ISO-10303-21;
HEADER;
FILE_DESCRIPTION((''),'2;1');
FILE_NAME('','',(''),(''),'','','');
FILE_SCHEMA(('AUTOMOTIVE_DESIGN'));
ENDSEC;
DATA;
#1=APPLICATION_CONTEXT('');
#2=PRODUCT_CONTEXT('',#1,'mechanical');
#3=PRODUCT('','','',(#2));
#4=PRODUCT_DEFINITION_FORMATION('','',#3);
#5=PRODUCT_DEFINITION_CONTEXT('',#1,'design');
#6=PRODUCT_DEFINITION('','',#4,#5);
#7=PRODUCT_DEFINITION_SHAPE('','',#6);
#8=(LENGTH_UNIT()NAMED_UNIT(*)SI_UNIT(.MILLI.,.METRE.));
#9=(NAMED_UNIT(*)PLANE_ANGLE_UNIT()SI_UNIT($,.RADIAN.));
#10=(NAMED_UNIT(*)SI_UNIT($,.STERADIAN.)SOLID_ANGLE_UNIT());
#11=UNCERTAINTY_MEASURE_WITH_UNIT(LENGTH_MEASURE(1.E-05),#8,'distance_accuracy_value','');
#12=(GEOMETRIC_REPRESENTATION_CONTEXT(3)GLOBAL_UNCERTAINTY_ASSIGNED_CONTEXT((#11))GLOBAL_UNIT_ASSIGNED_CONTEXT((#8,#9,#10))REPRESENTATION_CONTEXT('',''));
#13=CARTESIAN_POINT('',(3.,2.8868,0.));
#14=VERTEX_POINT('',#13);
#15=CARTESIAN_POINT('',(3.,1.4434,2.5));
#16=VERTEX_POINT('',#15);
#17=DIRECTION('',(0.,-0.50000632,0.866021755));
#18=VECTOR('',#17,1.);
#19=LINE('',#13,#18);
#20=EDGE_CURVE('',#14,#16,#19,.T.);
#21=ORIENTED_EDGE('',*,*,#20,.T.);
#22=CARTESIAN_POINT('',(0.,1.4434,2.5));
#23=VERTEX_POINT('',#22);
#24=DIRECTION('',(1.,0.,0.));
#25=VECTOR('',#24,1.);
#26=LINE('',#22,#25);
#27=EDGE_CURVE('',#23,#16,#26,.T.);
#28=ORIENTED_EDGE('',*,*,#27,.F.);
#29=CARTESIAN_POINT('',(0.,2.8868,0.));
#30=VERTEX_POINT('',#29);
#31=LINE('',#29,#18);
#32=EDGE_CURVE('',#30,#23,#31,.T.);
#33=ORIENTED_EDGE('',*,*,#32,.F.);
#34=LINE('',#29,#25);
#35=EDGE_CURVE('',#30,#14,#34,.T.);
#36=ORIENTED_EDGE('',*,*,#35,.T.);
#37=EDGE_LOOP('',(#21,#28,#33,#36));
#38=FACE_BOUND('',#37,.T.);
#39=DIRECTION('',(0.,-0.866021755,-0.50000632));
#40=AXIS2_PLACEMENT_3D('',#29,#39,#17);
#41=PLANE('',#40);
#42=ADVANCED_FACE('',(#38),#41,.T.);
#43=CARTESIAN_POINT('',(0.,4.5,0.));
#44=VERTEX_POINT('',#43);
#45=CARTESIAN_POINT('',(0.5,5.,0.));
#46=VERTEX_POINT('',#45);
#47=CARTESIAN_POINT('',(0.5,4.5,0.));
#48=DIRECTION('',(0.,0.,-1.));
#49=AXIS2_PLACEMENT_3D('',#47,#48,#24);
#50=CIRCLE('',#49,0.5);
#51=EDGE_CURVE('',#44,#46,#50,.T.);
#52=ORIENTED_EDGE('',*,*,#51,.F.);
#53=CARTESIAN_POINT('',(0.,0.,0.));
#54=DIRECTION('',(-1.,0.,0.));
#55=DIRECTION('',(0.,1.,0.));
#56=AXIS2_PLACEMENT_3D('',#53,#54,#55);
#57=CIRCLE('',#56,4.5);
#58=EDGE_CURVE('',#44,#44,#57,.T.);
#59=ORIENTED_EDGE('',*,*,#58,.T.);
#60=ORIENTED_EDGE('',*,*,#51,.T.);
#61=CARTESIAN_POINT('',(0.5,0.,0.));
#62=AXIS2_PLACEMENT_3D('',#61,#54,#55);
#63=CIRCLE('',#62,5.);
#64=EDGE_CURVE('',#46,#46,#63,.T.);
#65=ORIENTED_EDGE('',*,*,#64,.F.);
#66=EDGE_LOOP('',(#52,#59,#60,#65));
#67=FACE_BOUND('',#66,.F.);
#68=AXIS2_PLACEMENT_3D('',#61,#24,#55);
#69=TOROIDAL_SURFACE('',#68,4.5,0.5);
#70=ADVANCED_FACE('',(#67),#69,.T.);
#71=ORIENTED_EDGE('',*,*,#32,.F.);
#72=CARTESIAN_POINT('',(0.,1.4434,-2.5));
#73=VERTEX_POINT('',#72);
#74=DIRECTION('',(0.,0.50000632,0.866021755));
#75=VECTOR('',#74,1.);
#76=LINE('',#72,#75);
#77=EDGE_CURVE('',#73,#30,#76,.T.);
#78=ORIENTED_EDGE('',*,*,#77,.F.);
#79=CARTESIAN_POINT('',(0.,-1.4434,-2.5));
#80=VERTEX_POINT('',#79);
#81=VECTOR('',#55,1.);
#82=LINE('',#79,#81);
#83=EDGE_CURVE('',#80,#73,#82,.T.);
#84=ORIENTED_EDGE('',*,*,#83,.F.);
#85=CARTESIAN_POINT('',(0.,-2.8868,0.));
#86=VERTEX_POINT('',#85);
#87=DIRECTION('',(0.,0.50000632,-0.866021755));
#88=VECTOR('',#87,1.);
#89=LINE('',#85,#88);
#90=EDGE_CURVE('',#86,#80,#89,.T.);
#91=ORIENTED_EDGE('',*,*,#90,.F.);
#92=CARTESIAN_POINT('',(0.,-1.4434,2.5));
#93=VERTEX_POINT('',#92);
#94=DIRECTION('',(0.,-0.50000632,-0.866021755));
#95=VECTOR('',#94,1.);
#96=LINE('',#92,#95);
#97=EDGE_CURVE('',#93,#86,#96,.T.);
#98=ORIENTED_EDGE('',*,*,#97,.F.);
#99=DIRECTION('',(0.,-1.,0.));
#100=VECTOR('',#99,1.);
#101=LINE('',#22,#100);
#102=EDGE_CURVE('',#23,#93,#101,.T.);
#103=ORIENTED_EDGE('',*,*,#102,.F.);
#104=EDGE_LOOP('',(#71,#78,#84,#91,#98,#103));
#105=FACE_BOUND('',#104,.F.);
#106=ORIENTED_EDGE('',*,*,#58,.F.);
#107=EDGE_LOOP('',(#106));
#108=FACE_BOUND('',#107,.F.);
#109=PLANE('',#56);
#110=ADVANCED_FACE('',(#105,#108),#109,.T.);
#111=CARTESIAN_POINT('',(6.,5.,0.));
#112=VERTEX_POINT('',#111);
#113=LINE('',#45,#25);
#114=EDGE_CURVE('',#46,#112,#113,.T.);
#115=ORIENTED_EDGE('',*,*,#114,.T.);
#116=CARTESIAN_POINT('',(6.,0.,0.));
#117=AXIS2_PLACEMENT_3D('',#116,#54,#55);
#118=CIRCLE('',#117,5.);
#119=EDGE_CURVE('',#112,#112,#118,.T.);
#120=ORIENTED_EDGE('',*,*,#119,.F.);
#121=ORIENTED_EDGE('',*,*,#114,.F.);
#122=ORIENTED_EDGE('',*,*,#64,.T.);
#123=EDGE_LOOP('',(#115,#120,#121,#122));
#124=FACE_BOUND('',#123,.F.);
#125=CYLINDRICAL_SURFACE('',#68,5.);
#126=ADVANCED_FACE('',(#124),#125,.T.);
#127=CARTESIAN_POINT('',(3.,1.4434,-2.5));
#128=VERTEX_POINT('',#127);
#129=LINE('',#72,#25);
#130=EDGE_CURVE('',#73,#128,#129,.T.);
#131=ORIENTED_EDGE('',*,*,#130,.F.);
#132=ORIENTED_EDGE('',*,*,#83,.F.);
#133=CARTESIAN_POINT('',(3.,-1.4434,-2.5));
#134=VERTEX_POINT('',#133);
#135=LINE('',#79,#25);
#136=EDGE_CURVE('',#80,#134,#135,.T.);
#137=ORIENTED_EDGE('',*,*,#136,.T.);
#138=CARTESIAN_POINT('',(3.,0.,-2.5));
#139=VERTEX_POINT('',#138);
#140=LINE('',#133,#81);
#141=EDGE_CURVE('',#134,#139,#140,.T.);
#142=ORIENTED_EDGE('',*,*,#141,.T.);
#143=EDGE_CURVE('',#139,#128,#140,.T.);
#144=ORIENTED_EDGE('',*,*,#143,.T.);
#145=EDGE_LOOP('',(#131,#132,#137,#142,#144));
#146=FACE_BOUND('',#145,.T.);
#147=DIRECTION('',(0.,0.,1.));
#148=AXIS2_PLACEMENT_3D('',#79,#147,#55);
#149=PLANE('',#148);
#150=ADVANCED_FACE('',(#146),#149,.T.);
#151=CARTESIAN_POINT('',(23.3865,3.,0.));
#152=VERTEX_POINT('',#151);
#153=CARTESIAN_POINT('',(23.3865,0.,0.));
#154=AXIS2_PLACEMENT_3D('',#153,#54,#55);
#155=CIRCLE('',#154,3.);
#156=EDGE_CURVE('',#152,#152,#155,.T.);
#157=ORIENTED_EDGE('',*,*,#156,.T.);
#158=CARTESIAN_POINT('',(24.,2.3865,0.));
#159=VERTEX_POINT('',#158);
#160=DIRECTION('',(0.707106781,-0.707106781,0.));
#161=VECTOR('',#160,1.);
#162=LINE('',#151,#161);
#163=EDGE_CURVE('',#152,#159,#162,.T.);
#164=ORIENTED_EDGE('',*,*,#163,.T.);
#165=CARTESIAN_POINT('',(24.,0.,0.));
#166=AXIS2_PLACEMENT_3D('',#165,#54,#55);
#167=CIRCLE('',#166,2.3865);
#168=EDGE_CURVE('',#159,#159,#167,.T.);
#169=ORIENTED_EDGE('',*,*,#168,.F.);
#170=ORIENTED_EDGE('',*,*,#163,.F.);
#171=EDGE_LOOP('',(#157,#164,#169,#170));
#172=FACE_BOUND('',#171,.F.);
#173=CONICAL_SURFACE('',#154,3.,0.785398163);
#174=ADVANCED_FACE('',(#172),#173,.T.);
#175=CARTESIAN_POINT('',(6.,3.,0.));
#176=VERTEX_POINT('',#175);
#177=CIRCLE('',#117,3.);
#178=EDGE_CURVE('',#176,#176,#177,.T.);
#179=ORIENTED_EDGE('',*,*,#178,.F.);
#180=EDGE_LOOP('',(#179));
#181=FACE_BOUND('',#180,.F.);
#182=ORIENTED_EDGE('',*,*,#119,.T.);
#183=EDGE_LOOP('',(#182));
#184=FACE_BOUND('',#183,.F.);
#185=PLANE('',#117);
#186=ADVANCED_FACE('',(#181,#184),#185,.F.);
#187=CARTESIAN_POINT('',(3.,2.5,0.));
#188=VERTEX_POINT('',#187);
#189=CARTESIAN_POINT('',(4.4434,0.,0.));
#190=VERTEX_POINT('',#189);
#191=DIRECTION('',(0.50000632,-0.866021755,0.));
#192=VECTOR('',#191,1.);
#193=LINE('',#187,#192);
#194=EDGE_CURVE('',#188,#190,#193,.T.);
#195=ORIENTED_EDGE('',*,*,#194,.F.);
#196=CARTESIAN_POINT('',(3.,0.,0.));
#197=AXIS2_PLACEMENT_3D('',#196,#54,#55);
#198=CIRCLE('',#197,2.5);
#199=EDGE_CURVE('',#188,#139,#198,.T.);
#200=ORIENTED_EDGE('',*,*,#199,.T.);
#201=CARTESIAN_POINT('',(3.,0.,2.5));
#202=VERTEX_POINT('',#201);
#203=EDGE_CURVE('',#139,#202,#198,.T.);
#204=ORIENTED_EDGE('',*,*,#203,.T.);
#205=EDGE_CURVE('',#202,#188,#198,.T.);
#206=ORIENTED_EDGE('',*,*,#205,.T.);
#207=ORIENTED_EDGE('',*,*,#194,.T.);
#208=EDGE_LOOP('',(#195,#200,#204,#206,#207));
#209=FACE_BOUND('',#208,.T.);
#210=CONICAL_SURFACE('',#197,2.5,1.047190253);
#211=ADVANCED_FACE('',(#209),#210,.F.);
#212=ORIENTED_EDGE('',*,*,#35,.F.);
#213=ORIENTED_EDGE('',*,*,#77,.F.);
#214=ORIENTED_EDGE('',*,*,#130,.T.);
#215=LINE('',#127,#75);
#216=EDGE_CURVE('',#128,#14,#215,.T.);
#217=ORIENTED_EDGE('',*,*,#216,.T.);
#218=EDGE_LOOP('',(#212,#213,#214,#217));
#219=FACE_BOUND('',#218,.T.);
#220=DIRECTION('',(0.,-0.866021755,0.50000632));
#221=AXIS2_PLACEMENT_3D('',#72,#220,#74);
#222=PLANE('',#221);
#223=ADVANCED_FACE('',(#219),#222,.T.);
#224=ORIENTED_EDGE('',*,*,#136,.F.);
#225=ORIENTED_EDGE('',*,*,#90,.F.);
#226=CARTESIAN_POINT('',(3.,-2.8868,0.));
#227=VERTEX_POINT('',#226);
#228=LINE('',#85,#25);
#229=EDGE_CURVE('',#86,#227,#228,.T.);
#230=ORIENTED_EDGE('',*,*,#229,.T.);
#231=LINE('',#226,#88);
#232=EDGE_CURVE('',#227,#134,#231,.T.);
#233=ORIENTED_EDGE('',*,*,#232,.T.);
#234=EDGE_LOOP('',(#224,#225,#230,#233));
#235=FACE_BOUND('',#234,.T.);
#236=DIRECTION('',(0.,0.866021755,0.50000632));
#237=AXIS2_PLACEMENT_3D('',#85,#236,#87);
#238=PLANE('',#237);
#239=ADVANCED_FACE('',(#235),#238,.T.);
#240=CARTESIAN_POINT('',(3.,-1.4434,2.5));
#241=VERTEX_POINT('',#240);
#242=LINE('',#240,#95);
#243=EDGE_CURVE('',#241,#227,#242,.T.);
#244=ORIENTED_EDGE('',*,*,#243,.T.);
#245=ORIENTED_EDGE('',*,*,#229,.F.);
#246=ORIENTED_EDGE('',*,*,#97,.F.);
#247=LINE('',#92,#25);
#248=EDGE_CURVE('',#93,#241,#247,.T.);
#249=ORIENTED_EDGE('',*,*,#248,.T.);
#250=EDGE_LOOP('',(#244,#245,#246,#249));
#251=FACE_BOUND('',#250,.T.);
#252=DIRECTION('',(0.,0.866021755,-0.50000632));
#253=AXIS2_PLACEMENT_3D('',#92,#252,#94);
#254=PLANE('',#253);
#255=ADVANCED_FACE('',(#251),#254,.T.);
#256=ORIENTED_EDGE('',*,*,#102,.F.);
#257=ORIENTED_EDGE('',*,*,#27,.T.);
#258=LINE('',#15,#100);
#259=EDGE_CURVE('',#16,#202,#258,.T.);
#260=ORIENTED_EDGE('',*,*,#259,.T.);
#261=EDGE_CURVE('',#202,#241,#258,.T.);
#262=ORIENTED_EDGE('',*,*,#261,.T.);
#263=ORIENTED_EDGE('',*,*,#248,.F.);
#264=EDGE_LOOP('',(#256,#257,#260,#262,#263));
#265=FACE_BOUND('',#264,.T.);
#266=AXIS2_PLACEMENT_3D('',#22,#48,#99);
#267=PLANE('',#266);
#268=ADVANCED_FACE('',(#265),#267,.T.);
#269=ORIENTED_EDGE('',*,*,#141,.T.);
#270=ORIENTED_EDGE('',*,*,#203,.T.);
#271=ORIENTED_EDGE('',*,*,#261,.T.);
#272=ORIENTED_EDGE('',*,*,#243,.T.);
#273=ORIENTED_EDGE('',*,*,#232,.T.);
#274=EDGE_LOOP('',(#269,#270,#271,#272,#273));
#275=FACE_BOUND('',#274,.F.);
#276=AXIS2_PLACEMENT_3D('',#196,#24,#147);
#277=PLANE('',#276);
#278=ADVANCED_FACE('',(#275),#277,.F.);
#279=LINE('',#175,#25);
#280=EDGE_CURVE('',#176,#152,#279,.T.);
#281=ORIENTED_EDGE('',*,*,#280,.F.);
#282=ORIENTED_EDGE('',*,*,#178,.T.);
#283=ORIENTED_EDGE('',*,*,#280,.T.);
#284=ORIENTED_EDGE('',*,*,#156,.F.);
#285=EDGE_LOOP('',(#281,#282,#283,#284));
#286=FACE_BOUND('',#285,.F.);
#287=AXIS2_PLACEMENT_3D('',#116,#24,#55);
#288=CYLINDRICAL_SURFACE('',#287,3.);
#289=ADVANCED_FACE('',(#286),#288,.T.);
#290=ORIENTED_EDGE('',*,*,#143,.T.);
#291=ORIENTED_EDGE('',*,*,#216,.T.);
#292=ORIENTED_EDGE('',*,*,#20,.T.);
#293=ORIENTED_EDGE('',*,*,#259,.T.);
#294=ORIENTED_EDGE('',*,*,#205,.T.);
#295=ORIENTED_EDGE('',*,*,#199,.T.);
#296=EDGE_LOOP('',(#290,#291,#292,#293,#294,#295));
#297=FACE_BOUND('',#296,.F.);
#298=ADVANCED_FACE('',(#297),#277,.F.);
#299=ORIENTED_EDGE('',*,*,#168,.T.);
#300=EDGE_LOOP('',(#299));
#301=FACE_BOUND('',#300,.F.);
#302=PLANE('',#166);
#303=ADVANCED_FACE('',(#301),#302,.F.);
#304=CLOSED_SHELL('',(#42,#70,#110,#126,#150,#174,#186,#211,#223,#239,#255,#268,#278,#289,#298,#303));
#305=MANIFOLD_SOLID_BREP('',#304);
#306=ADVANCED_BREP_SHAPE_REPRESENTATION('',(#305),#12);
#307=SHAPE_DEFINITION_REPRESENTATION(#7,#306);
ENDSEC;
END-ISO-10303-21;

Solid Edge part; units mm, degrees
sketch "Sketch1" plane through (0, 0, 0) normal (0, 0, 1) x (1, 0, 0)
  line L0 (0, 0) -> (0, 4.5)
  arc A0 (0, 4.5) -> (0.5, 5) centre (0.5, 4.5) cw
  line L1 (0.5, 5) -> (6, 5)
  line L2 (6, 5) -> (6, 3)
  line L3 (6, 3) -> (23.3865, 3)
  line L4 (23.3865, 3) -> (24, 2.3865)
  line L5 (24, 2.3865) -> (24, 0)
  line L6 (24, 0) -> (0, 0)
revolve "RevolvedProtrusion1" add sketch "Sketch1" angle 360 about axis through (24, 0, 0) along (-1, 0, 0)
cosmetic_thread "Thread1" size "M6"
sketch "Sketch2" plane through (0, 0, 0) normal (1, 0, 0) x (0, 1, 0)
  line L0 (-1.4434, 2.5) -> (-2.8868, 0)
  line L1 (-2.8868, 0) -> (-1.4434, -2.5)
  line L2 (-1.4434, -2.5) -> (1.4434, -2.5)
  line L3 (1.4434, -2.5) -> (2.8868, 0)
  line L4 (2.8868, 0) -> (1.4434, 2.5)
  line L5 (1.4434, 2.5) -> (-1.4434, 2.5)
extrude "Cutout1" cut sketch "Sketch2" along normal blind 3
sketch "Sketch3" plane through (0, 0, 0) normal (0, 0, 1) x (1, 0, 0)
  line L0 (3, 0) -> (3, 2.5)
  line L1 (3, 2.5) -> (4.4434, 0)
  line L2 (4.4434, 0) -> (3, 0)
revolve "RevolvedCutout1" cut sketch "Sketch3" angle 360 about axis through (4.4434, 0, 0) along (-1, 0, 0)
properties part number "07160-206X18"
